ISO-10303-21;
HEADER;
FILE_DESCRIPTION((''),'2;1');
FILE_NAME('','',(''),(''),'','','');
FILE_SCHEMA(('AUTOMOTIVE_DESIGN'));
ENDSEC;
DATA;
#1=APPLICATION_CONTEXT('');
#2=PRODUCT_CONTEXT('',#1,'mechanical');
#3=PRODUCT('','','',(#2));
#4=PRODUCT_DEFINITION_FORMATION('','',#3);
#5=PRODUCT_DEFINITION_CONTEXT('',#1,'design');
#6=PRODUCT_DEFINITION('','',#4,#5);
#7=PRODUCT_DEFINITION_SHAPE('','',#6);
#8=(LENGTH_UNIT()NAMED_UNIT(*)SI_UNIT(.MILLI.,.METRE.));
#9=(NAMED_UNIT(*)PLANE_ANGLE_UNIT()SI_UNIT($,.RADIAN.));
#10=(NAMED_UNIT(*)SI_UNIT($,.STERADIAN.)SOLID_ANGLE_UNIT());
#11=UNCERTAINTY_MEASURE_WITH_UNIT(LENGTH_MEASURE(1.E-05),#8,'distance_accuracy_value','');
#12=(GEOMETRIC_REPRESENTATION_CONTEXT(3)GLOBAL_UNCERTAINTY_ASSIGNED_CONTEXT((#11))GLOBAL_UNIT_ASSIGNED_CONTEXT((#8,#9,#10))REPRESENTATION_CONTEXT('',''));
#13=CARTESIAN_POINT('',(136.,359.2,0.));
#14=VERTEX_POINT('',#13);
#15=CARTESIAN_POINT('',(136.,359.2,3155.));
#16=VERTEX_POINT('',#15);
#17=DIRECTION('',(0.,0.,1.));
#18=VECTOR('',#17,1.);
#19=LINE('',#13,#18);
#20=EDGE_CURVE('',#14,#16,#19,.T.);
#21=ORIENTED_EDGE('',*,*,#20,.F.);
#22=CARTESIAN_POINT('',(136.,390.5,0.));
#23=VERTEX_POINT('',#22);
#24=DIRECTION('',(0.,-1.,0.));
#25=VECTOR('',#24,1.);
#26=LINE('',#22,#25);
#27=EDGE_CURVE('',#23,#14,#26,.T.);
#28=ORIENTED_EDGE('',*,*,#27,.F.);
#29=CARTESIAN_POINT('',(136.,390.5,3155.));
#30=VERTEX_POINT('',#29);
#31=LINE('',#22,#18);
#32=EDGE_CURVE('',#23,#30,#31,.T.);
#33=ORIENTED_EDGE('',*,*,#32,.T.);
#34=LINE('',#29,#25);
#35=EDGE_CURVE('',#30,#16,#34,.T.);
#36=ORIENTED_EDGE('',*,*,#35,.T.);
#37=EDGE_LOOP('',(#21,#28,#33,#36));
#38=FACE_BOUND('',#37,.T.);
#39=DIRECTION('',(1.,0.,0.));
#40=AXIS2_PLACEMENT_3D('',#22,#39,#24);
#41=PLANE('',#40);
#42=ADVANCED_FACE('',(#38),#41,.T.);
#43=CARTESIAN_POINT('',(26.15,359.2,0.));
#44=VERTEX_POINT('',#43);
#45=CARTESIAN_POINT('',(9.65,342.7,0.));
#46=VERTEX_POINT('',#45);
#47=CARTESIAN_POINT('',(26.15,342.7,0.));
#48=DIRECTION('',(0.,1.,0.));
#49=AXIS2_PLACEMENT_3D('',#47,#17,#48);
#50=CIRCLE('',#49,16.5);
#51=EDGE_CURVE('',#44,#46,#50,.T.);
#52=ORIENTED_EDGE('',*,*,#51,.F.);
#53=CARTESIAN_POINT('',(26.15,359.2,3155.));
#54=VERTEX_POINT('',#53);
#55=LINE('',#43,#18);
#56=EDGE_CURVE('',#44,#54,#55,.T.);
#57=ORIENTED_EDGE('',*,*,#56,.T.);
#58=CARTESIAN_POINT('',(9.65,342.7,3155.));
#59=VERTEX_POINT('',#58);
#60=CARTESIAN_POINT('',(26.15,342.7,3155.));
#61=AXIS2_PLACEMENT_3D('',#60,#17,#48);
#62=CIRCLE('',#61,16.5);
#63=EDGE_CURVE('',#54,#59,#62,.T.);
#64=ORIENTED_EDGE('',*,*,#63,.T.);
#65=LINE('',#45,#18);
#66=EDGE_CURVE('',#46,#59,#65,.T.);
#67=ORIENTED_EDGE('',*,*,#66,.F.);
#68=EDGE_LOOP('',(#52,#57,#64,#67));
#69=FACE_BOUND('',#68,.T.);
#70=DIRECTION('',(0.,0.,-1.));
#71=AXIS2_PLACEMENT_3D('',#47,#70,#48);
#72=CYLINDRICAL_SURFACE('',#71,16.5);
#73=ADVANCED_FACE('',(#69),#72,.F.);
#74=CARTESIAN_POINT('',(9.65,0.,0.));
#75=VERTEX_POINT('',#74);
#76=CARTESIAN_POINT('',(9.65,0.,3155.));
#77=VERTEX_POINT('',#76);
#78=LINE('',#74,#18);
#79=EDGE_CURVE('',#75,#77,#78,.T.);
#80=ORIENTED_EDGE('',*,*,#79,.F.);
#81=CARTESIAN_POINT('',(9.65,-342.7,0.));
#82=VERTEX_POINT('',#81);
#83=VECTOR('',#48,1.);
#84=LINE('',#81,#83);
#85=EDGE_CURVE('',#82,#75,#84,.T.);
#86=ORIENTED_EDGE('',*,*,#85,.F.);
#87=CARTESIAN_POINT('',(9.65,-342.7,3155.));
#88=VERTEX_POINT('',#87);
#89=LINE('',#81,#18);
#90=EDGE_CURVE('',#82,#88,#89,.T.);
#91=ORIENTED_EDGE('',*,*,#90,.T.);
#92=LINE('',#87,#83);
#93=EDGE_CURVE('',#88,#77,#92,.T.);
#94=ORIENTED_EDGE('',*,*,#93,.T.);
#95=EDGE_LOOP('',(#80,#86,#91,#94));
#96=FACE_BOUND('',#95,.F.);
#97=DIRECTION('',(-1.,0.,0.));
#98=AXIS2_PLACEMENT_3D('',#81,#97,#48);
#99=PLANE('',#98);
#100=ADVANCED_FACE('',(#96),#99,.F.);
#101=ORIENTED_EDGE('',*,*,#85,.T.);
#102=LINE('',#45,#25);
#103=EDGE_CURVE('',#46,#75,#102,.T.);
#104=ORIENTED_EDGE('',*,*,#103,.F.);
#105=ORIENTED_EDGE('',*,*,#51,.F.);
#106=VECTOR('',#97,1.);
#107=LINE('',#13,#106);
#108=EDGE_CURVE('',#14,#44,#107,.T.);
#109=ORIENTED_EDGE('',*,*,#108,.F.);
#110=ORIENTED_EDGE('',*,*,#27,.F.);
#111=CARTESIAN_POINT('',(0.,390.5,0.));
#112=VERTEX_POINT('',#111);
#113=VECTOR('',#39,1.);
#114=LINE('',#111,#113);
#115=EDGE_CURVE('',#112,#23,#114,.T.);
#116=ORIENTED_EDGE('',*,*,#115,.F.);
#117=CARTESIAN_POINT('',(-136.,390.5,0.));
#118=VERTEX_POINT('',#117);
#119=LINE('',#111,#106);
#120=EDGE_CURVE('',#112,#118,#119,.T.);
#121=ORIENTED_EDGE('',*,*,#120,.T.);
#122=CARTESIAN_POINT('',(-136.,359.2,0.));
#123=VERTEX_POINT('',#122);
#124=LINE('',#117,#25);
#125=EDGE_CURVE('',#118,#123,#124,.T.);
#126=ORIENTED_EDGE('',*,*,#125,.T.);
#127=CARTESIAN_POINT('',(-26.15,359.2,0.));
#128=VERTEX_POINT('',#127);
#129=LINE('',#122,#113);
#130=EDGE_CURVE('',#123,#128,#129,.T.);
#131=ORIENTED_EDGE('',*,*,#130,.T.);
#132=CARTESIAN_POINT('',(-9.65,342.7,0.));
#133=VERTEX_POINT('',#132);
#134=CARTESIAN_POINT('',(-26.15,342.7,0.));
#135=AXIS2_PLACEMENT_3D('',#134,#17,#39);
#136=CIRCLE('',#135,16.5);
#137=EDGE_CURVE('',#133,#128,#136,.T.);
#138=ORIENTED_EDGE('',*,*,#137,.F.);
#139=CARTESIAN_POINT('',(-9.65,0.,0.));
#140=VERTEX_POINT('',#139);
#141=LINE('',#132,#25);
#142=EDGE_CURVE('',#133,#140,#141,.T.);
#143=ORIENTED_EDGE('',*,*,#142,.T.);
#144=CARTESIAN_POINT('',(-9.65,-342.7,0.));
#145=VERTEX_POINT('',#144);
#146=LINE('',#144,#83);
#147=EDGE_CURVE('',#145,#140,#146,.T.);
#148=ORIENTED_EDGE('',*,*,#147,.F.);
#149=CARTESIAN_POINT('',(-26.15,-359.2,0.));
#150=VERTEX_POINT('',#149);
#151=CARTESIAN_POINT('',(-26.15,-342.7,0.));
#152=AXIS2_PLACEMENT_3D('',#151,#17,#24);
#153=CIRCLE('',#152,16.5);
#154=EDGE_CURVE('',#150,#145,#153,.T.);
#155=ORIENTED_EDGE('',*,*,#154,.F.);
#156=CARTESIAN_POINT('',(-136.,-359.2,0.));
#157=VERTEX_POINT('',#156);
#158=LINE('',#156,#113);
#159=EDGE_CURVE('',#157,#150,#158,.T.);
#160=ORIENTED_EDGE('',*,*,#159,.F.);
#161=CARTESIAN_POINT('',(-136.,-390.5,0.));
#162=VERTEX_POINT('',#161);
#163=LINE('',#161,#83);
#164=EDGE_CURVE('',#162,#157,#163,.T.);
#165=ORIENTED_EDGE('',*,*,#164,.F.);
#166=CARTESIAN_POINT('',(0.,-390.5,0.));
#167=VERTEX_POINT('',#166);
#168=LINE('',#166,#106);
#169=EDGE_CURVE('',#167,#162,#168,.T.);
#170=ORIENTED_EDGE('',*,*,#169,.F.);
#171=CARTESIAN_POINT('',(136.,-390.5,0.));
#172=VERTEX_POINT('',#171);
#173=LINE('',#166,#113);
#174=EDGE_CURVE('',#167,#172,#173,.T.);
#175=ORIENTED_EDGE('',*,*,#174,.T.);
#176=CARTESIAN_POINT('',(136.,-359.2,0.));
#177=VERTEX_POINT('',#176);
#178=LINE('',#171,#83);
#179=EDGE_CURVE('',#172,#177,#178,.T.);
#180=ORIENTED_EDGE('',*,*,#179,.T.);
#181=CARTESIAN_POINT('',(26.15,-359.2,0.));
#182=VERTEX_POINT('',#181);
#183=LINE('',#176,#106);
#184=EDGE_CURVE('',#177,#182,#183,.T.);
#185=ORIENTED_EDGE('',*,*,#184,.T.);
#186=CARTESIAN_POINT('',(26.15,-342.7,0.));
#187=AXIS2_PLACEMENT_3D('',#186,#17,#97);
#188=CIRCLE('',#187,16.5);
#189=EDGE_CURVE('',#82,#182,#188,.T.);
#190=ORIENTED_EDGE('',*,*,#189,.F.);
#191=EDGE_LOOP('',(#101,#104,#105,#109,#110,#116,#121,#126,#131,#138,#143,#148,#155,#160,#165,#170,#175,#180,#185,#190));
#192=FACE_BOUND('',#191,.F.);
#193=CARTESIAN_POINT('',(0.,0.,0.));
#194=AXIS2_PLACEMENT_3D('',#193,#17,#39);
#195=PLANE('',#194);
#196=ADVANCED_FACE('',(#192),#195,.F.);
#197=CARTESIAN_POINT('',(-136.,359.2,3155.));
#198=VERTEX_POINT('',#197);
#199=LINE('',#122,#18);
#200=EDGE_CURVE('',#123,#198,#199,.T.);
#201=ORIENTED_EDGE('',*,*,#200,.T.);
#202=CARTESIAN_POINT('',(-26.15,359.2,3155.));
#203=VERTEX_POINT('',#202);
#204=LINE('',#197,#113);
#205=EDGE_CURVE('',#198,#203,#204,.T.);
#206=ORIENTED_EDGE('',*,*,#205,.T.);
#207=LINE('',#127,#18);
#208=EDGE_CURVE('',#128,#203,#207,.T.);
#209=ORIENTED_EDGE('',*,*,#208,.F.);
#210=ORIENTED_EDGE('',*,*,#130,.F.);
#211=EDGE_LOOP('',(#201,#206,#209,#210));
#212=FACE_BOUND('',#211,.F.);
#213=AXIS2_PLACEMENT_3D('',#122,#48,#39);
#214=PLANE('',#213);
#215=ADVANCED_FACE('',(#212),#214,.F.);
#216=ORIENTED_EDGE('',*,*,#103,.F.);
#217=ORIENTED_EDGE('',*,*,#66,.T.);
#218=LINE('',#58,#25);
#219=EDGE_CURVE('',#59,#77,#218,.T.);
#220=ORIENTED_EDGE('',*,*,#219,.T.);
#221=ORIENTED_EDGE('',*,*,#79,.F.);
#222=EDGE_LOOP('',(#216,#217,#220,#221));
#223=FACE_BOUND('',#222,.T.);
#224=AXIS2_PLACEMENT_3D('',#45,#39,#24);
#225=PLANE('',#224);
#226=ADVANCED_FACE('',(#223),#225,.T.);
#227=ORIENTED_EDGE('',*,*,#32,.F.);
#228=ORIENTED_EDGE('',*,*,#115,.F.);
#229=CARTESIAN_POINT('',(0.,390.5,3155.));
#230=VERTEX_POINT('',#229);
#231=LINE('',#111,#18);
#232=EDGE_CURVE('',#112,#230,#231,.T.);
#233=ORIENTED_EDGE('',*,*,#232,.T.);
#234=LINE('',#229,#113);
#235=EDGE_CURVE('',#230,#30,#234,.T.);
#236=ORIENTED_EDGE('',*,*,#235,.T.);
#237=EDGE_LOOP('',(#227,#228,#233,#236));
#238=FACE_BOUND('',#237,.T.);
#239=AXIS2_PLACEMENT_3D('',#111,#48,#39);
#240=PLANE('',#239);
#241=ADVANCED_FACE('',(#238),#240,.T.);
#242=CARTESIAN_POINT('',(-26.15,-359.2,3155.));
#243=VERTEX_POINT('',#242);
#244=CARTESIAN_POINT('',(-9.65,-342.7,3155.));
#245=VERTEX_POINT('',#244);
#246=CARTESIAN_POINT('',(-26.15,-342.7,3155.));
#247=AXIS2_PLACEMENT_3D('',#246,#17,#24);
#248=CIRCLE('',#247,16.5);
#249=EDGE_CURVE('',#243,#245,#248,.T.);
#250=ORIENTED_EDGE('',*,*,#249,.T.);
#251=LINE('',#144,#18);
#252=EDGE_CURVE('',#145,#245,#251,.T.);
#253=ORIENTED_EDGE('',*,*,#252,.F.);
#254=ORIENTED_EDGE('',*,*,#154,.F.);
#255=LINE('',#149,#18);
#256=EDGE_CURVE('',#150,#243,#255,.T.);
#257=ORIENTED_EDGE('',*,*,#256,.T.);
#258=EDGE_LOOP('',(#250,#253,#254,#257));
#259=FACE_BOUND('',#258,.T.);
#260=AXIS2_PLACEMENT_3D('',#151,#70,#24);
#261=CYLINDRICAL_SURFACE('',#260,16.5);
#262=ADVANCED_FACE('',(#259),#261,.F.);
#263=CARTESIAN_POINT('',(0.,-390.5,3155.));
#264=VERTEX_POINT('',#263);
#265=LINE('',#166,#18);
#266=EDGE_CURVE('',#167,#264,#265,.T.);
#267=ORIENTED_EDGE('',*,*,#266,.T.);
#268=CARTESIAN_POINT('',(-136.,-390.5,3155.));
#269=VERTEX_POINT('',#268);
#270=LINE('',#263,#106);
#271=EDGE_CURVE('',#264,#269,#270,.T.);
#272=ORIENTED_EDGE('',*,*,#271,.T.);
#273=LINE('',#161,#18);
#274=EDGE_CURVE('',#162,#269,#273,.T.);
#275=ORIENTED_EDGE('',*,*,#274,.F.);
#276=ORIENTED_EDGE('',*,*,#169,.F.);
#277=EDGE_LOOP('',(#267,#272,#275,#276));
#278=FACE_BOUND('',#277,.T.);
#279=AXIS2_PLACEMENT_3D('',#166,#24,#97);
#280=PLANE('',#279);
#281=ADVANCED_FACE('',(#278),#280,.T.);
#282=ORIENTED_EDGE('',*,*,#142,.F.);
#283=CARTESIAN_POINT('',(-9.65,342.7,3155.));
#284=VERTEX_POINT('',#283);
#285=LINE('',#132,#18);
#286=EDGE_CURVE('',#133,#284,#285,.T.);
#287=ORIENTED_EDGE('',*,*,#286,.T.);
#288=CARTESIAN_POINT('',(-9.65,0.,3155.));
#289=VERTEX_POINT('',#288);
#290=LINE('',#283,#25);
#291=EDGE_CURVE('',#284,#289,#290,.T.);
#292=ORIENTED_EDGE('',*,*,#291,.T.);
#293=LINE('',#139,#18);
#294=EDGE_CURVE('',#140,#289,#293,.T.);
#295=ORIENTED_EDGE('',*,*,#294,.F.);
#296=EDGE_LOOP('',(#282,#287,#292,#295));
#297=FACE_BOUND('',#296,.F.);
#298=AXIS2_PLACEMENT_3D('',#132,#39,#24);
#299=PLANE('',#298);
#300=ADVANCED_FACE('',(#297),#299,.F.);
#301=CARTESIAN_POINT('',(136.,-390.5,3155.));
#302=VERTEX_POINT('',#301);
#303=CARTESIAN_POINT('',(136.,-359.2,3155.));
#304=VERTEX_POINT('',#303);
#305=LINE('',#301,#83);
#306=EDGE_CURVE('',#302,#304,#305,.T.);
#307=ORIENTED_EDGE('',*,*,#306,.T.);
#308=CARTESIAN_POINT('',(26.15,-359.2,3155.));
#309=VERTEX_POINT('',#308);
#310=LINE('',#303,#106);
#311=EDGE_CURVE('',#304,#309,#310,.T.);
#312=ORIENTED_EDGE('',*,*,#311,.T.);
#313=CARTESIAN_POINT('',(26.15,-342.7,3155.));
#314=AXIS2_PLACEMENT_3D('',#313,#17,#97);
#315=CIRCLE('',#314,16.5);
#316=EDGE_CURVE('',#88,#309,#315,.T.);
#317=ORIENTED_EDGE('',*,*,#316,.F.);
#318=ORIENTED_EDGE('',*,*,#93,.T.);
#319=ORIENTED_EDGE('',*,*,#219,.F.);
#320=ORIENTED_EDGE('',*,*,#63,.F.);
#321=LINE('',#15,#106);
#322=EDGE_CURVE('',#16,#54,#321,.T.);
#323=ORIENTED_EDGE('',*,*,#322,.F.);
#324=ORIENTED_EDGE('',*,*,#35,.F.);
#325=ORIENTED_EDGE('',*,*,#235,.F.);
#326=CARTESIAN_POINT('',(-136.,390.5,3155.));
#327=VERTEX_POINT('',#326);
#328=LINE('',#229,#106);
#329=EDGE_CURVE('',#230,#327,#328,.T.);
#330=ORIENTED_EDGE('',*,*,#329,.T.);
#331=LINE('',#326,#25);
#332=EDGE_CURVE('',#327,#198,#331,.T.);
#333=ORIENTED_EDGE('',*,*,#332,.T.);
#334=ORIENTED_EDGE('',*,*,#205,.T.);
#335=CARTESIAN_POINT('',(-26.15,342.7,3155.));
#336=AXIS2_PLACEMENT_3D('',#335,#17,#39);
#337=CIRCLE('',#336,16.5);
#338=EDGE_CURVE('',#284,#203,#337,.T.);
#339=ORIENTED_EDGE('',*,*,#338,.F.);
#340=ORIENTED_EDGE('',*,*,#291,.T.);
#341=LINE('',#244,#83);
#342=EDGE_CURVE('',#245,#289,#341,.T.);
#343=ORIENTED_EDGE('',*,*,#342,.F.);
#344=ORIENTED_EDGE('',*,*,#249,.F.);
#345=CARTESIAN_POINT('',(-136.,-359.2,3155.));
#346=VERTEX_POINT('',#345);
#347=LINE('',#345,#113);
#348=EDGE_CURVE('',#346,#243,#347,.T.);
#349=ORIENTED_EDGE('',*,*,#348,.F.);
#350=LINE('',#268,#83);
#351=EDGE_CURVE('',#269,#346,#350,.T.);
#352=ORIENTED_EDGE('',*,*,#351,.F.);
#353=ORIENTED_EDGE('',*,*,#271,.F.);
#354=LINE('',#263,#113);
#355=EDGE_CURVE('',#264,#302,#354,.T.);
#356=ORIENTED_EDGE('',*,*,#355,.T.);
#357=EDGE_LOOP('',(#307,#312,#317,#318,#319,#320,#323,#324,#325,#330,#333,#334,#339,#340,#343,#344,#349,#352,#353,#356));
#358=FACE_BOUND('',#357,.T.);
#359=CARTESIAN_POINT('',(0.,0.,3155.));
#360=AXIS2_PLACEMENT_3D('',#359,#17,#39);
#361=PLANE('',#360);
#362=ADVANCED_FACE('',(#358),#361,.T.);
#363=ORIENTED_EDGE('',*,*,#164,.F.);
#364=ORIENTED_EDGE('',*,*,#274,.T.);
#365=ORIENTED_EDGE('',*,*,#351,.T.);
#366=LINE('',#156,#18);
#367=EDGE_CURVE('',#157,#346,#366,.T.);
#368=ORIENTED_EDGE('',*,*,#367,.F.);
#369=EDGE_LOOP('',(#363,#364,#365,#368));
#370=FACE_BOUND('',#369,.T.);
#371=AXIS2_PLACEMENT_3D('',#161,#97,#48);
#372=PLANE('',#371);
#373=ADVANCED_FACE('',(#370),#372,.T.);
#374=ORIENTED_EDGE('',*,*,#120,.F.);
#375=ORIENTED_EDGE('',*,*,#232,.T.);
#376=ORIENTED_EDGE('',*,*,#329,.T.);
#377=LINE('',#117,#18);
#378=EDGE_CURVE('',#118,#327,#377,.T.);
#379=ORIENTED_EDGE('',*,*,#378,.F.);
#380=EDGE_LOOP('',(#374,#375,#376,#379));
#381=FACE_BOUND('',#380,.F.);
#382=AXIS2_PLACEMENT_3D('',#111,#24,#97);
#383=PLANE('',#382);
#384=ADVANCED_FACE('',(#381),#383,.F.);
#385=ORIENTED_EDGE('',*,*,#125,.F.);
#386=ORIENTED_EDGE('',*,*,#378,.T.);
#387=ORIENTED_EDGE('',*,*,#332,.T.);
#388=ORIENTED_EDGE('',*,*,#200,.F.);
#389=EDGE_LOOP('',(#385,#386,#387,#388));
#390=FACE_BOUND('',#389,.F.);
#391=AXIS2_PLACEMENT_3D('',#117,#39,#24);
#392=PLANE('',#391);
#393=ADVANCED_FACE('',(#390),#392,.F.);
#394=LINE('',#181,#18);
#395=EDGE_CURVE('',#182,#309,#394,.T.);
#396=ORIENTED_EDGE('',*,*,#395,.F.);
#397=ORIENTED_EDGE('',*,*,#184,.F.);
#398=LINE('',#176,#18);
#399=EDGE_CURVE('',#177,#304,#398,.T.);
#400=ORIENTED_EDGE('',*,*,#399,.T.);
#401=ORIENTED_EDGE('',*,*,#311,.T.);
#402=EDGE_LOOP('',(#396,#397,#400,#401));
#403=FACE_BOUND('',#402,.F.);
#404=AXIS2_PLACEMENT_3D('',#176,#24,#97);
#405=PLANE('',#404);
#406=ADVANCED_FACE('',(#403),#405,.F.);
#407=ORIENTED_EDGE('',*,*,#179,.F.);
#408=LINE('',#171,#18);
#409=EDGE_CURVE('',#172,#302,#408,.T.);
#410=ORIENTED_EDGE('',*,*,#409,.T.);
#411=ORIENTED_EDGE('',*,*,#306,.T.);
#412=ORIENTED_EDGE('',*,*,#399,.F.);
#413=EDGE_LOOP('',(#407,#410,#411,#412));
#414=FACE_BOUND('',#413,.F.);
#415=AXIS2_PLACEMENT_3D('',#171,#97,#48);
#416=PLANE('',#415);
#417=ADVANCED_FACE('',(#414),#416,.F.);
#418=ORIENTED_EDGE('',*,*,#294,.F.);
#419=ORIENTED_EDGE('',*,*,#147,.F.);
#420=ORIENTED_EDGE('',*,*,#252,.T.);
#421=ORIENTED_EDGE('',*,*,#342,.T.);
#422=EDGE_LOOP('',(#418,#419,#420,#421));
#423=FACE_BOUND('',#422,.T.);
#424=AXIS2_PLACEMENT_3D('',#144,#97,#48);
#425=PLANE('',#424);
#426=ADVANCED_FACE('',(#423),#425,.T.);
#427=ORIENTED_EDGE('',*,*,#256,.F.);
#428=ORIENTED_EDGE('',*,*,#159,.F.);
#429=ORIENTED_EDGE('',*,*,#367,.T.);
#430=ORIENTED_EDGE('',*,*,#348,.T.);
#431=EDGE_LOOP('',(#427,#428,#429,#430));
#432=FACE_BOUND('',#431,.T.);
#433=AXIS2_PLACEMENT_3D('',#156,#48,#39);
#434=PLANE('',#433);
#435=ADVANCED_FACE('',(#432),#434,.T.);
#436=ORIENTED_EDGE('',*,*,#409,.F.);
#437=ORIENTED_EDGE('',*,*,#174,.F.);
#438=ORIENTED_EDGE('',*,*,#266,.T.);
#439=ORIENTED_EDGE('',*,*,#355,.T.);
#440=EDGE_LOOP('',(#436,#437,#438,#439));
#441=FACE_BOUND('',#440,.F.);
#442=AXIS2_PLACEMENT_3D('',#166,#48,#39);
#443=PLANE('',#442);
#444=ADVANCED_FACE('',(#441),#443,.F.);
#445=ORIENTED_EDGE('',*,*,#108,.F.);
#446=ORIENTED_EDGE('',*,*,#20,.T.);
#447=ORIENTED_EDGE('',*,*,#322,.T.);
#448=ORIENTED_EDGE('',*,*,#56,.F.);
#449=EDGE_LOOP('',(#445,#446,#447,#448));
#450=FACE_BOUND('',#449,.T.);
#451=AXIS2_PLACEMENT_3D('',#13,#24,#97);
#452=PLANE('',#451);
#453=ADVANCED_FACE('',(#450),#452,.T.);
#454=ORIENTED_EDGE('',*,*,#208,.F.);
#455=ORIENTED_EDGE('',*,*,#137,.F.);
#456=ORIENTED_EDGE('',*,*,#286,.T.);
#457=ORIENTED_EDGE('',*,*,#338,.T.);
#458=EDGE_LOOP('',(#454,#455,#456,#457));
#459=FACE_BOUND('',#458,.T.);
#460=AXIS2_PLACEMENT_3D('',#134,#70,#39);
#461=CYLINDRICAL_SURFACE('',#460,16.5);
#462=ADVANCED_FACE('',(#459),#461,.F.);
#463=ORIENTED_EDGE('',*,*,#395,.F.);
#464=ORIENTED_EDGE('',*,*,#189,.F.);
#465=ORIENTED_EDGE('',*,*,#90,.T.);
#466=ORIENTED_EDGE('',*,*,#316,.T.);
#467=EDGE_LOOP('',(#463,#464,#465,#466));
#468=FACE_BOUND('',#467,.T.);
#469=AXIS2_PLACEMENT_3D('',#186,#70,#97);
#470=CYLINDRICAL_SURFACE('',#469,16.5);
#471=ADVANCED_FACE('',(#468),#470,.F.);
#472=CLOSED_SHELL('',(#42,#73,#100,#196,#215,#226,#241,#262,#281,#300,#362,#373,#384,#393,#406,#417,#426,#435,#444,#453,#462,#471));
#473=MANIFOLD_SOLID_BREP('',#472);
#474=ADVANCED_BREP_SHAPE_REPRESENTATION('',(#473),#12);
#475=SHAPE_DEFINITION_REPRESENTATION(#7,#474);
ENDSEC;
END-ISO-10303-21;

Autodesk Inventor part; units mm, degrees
ref_plane "YZ Plane" through (0, 0, 0) normal (1, 0, 0) x (0, 1, 0)
ref_plane "Start plane" through (0, 0, 0) normal (0, 0, 1) x (1, 0, 0)
ref_plane "End plane" through (0, 0, 3155) normal (0, 0, 1) x (1, 0, 0)
sketch "Sketch" plane through (0, 0, 0) normal (0, 0, 1) x (1, 0, 0)
  line L0 (-136, -390.5) -> (-136, -359.2)
  line L1 (-136, -359.2) -> (-26.15, -359.2)
  line L2 (-9.65, -342.7) -> (-9.65, 0)
  line L3 (-9.65, 0) -> (0, 0) construction
  line L4 (0, 0) -> (0, -390.5) construction
  line L5 (0, -390.5) -> (-136, -390.5)
  line L6 (-60, 0) -> (80, 0) construction
  line L7 (0, -60) -> (0, 80) construction
  line L8 (136, -390.5) -> (136, -359.2)
  line L9 (136, -359.2) -> (26.15, -359.2)
  line L10 (9.65, -342.7) -> (9.65, 0)
  line L11 (9.65, 0) -> (0, 0) construction
  line L12 (0, -390.5) -> (136, -390.5)
  line L13 (-136, 390.5) -> (-136, 359.2)
  line L14 (-136, 359.2) -> (-26.15, 359.2)
  line L15 (-9.65, 342.7) -> (-9.65, 0)
  line L16 (0, 390.5) -> (-136, 390.5)
  line L17 (136, 390.5) -> (136, 359.2)
  line L18 (136, 359.2) -> (26.15, 359.2)
  line L19 (0, 390.5) -> (136, 390.5)
  line L20 (9.65, 342.7) -> (9.65, 0)
  arc A0 (-9.65, 342.7) -> (-26.15, 359.2) centre (-26.15, 342.7) ccw
  arc A1 (26.15, 359.2) -> (9.65, 342.7) centre (26.15, 342.7) ccw
  arc A2 (9.65, -342.7) -> (26.15, -359.2) centre (26.15, -342.7) ccw
  arc A3 (-26.15, -359.2) -> (-9.65, -342.7) centre (-26.15, -342.7) ccw
  line L21 (0, 108) -> (0, -88) construction
  line L22 (-88, 0) -> (108, 0) construction
  point P0 (-9.65, -359.2)
  point P1 (9.65, -359.2)
  point P2 (-9.65, 359.2)
  point P3 (9.65, 359.2)
  dimension "d1" = 390.5
  dimension "d2" = 31.3
  dimension "d3" = 136
  dimension "d4" = 9.65
  dimension "d10" = 16.5
extrude "Body" add sketch "Sketch" along normal up to surface (3155 mm away) from surface at 0
sketch "Sketch4" plane through (0, 0, 0) normal (0, 0, 1) x (1, 0, 0)
  line L0 (0, 0) -> (10, 0)
ref_plane "Work Plane3" through (0, 0, 0) normal (0, -1, 0) x (1, 0, 0)
sketch "Sketch5" plane through (0, 0, 0) normal (0, -1, 0) x (1, 0, 0)
  line L0 (-2, 0) -> (12, 0) projected
  line L1 (-2, 3155) -> (12, 3155) projected
  dimension "d14" = 3155
equation "\"d1\" = 0.5 * G_H"
equation "\"d2\" = G_T1"
equation "\"d3\" = 0.5 * G_W"
equation "\"d4\" = 0.5 * G_T"
equation "\"d10\" = G_IR"
equation "\"d5\" = G_L"
equation "\"G_W\" = 272"
equation "\"G_H\" = 781"
equation "\"G_T\" = 19.3"
equation "\"G_T1\" = 31.3"
equation "\"G_IR\" = 16.5"
equation "\"G_L\" = d14"
equation "\"G_OFFSET_START\" = 0"
equation "\"G_OFFSET_END\" = 0"
equation "\"d12\" = G_OFFSET_END + B_L"
equation "\"B_L\" = 3155"
properties part number "AS 3679-1990 - 760 UB - 244 - 3155" material "Steel, Mild"
